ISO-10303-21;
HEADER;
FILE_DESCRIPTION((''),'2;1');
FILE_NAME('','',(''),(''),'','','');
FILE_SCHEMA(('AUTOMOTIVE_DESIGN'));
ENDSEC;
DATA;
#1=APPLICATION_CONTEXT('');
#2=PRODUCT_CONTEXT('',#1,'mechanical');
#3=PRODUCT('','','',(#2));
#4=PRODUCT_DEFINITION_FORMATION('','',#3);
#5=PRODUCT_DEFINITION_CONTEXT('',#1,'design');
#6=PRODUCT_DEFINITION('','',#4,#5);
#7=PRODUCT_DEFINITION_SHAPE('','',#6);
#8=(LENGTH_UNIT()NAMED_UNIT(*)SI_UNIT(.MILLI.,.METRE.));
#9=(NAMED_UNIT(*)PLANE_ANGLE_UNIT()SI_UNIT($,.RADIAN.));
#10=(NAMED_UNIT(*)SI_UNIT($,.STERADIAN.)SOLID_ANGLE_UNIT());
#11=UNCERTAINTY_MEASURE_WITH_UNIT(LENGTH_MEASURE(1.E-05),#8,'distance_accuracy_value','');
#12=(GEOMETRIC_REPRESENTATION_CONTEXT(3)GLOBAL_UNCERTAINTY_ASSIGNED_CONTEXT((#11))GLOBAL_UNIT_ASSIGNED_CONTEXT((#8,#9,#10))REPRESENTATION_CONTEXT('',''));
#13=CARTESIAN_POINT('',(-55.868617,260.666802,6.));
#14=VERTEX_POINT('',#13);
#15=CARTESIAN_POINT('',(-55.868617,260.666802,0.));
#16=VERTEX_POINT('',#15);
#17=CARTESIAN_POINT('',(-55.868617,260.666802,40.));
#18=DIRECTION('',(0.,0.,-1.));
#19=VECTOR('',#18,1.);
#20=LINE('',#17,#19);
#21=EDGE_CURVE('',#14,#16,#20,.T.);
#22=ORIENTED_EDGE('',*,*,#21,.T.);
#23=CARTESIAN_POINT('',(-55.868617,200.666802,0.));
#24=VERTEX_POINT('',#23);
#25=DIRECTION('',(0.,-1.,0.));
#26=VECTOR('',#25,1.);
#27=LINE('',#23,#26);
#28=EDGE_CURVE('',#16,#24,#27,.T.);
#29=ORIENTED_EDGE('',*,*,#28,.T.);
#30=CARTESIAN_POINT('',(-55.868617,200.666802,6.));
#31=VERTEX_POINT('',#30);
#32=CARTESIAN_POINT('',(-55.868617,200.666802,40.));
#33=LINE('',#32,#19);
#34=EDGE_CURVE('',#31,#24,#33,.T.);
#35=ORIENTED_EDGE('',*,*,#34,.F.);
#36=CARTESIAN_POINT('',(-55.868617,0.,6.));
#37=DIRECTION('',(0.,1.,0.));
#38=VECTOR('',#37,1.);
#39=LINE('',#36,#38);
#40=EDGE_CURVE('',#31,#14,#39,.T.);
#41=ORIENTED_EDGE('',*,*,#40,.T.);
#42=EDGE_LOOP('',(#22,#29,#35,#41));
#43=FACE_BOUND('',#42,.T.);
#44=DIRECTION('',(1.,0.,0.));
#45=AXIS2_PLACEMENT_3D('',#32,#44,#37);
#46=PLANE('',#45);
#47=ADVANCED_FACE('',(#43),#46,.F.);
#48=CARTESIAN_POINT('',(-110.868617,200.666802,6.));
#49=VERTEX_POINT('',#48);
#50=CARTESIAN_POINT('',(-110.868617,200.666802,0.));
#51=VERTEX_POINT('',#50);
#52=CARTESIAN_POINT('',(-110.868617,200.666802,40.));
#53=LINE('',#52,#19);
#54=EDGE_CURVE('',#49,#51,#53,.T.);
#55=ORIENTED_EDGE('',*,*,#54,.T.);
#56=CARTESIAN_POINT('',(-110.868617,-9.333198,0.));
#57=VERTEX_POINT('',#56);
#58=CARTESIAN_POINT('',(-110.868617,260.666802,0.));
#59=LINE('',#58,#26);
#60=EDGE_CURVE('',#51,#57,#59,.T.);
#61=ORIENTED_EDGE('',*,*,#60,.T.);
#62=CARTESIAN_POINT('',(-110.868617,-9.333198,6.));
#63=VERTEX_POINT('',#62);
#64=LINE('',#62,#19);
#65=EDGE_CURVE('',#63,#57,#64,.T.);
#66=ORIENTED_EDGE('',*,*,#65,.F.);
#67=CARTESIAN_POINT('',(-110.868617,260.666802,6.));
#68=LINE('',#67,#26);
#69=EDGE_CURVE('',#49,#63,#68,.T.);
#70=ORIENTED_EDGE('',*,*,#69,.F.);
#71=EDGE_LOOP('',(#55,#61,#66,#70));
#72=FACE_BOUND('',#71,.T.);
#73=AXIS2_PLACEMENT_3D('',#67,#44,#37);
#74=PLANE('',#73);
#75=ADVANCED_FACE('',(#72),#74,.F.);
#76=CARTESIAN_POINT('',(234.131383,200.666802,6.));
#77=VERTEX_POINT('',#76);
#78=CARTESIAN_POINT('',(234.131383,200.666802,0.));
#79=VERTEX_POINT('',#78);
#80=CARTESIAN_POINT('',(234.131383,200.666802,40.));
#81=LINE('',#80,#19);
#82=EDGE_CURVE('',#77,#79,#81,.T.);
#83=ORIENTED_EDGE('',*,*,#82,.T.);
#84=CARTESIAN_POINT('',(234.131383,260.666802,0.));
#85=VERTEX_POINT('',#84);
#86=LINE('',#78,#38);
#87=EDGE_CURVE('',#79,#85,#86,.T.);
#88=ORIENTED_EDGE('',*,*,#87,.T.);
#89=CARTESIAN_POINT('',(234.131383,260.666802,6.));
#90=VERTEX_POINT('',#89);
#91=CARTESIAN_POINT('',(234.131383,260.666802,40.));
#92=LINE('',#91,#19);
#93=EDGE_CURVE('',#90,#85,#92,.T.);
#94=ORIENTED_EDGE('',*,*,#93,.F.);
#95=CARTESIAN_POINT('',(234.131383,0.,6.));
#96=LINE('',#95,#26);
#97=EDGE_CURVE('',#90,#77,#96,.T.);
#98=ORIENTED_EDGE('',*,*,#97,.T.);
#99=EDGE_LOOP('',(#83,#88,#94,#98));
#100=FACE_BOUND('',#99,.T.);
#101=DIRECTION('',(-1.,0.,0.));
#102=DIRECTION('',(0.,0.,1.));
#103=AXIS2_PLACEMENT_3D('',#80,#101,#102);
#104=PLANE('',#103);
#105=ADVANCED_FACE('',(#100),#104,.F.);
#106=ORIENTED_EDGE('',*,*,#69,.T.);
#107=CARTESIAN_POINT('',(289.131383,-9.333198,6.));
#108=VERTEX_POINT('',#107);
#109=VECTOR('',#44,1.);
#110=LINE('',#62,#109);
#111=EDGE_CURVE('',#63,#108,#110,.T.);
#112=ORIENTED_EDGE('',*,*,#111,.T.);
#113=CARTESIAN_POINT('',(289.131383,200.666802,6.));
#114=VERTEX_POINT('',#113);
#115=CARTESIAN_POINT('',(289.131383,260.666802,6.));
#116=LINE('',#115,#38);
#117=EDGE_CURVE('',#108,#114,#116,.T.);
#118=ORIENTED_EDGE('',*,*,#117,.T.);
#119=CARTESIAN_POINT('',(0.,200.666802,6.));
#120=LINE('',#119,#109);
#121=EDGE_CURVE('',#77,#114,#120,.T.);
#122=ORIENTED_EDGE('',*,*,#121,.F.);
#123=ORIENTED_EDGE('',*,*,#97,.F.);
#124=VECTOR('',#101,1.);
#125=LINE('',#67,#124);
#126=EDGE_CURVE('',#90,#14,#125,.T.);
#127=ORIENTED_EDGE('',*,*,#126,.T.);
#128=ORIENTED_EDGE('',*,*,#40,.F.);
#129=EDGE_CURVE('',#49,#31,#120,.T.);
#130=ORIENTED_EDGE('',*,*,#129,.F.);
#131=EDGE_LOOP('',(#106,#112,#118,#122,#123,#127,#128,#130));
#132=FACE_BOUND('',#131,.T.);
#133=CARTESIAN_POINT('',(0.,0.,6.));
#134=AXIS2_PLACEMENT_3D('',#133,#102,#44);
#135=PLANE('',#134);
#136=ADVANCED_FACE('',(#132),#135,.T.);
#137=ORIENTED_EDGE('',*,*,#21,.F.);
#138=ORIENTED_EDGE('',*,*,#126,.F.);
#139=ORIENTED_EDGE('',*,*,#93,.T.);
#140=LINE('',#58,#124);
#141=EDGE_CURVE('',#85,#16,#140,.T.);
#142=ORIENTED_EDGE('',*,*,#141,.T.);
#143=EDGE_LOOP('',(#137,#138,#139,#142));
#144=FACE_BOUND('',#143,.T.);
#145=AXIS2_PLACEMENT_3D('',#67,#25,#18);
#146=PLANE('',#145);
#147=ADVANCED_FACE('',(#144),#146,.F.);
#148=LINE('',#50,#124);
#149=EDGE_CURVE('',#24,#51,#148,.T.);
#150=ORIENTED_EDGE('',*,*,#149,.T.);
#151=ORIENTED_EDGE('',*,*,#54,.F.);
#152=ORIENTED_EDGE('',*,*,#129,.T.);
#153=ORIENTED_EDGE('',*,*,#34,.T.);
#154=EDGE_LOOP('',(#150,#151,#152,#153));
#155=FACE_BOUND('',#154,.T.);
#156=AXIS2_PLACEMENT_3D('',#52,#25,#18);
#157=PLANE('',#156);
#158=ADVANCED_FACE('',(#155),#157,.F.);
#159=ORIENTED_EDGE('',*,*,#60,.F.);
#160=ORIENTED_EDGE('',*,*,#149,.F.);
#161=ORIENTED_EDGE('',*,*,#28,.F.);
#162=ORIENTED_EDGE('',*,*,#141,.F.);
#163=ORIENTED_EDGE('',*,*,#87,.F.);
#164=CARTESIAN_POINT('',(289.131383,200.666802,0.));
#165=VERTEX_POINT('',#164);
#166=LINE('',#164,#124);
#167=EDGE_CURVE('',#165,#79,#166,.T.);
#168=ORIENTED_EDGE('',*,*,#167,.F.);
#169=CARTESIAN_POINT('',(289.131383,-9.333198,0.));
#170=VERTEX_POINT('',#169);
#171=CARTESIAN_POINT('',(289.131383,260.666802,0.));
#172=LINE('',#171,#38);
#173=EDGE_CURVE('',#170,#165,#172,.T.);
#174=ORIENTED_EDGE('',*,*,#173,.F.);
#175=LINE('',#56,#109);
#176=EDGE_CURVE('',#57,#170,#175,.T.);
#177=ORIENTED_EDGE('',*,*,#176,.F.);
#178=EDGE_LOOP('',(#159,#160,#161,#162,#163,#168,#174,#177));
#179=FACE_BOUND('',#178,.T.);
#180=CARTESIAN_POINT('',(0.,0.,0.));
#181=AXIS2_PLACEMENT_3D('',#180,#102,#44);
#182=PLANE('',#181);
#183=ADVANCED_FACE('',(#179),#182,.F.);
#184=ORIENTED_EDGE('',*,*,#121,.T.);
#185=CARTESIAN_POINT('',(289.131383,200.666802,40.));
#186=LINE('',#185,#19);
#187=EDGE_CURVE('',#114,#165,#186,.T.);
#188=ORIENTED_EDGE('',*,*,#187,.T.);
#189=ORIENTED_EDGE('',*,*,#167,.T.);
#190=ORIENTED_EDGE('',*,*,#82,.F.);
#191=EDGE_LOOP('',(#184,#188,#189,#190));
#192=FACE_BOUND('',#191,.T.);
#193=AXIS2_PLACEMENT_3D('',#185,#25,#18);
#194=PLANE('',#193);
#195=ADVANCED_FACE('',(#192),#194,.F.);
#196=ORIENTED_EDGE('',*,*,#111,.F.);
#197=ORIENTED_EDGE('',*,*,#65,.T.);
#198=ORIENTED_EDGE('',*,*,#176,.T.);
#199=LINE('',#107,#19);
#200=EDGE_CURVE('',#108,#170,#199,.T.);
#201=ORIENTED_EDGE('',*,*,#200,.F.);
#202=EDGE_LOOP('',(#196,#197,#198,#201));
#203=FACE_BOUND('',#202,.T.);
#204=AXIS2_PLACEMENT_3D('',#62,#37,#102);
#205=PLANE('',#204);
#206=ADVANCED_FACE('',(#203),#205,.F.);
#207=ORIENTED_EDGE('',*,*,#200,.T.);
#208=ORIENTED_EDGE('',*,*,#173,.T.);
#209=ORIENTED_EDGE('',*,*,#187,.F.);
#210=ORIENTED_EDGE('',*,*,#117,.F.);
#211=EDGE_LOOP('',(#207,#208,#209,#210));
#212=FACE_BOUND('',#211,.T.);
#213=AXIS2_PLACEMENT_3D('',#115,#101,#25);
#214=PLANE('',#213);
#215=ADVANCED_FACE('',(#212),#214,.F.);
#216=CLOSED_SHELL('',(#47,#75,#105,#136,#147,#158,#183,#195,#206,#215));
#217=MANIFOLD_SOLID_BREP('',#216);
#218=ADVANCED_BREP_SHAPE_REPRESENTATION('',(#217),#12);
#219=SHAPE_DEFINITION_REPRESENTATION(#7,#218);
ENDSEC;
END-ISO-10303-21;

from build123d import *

# Parameters (mm, degrees)
SKETCH1_W           = 400
SKETCH1_H           = 270
BOSS_EXTRUDE1_DEPTH = 6
SKETCH2_W           = 55
SKETCH2_H           = 60
CUT_EXTRUDE1_DEPTH  = 40


with BuildPart() as part:
    # Sketch1 → Boss-Extrude1 (new body)
    with BuildSketch(Plane.XY):
        with Locations((89.131383381, 125.666802076)):
            Rectangle(SKETCH1_W, SKETCH1_H)
    extrude(amount=BOSS_EXTRUDE1_DEPTH)

    # Sketch2 → Cut-Extrude1 (cut)
    with BuildSketch(Plane(origin=(0, 0, 0), x_dir=(-1, 0, 0), z_dir=(0, 0, -1))):
        with Locations((-261.631383381, 230.666802076)):
            Rectangle(SKETCH2_W, SKETCH2_H)
        with Locations((83.368616619, 230.666802076)):
            Rectangle(SKETCH2_W, SKETCH2_H)
    extrude(amount=-CUT_EXTRUDE1_DEPTH, mode=Mode.SUBTRACT)


solid = part.part
